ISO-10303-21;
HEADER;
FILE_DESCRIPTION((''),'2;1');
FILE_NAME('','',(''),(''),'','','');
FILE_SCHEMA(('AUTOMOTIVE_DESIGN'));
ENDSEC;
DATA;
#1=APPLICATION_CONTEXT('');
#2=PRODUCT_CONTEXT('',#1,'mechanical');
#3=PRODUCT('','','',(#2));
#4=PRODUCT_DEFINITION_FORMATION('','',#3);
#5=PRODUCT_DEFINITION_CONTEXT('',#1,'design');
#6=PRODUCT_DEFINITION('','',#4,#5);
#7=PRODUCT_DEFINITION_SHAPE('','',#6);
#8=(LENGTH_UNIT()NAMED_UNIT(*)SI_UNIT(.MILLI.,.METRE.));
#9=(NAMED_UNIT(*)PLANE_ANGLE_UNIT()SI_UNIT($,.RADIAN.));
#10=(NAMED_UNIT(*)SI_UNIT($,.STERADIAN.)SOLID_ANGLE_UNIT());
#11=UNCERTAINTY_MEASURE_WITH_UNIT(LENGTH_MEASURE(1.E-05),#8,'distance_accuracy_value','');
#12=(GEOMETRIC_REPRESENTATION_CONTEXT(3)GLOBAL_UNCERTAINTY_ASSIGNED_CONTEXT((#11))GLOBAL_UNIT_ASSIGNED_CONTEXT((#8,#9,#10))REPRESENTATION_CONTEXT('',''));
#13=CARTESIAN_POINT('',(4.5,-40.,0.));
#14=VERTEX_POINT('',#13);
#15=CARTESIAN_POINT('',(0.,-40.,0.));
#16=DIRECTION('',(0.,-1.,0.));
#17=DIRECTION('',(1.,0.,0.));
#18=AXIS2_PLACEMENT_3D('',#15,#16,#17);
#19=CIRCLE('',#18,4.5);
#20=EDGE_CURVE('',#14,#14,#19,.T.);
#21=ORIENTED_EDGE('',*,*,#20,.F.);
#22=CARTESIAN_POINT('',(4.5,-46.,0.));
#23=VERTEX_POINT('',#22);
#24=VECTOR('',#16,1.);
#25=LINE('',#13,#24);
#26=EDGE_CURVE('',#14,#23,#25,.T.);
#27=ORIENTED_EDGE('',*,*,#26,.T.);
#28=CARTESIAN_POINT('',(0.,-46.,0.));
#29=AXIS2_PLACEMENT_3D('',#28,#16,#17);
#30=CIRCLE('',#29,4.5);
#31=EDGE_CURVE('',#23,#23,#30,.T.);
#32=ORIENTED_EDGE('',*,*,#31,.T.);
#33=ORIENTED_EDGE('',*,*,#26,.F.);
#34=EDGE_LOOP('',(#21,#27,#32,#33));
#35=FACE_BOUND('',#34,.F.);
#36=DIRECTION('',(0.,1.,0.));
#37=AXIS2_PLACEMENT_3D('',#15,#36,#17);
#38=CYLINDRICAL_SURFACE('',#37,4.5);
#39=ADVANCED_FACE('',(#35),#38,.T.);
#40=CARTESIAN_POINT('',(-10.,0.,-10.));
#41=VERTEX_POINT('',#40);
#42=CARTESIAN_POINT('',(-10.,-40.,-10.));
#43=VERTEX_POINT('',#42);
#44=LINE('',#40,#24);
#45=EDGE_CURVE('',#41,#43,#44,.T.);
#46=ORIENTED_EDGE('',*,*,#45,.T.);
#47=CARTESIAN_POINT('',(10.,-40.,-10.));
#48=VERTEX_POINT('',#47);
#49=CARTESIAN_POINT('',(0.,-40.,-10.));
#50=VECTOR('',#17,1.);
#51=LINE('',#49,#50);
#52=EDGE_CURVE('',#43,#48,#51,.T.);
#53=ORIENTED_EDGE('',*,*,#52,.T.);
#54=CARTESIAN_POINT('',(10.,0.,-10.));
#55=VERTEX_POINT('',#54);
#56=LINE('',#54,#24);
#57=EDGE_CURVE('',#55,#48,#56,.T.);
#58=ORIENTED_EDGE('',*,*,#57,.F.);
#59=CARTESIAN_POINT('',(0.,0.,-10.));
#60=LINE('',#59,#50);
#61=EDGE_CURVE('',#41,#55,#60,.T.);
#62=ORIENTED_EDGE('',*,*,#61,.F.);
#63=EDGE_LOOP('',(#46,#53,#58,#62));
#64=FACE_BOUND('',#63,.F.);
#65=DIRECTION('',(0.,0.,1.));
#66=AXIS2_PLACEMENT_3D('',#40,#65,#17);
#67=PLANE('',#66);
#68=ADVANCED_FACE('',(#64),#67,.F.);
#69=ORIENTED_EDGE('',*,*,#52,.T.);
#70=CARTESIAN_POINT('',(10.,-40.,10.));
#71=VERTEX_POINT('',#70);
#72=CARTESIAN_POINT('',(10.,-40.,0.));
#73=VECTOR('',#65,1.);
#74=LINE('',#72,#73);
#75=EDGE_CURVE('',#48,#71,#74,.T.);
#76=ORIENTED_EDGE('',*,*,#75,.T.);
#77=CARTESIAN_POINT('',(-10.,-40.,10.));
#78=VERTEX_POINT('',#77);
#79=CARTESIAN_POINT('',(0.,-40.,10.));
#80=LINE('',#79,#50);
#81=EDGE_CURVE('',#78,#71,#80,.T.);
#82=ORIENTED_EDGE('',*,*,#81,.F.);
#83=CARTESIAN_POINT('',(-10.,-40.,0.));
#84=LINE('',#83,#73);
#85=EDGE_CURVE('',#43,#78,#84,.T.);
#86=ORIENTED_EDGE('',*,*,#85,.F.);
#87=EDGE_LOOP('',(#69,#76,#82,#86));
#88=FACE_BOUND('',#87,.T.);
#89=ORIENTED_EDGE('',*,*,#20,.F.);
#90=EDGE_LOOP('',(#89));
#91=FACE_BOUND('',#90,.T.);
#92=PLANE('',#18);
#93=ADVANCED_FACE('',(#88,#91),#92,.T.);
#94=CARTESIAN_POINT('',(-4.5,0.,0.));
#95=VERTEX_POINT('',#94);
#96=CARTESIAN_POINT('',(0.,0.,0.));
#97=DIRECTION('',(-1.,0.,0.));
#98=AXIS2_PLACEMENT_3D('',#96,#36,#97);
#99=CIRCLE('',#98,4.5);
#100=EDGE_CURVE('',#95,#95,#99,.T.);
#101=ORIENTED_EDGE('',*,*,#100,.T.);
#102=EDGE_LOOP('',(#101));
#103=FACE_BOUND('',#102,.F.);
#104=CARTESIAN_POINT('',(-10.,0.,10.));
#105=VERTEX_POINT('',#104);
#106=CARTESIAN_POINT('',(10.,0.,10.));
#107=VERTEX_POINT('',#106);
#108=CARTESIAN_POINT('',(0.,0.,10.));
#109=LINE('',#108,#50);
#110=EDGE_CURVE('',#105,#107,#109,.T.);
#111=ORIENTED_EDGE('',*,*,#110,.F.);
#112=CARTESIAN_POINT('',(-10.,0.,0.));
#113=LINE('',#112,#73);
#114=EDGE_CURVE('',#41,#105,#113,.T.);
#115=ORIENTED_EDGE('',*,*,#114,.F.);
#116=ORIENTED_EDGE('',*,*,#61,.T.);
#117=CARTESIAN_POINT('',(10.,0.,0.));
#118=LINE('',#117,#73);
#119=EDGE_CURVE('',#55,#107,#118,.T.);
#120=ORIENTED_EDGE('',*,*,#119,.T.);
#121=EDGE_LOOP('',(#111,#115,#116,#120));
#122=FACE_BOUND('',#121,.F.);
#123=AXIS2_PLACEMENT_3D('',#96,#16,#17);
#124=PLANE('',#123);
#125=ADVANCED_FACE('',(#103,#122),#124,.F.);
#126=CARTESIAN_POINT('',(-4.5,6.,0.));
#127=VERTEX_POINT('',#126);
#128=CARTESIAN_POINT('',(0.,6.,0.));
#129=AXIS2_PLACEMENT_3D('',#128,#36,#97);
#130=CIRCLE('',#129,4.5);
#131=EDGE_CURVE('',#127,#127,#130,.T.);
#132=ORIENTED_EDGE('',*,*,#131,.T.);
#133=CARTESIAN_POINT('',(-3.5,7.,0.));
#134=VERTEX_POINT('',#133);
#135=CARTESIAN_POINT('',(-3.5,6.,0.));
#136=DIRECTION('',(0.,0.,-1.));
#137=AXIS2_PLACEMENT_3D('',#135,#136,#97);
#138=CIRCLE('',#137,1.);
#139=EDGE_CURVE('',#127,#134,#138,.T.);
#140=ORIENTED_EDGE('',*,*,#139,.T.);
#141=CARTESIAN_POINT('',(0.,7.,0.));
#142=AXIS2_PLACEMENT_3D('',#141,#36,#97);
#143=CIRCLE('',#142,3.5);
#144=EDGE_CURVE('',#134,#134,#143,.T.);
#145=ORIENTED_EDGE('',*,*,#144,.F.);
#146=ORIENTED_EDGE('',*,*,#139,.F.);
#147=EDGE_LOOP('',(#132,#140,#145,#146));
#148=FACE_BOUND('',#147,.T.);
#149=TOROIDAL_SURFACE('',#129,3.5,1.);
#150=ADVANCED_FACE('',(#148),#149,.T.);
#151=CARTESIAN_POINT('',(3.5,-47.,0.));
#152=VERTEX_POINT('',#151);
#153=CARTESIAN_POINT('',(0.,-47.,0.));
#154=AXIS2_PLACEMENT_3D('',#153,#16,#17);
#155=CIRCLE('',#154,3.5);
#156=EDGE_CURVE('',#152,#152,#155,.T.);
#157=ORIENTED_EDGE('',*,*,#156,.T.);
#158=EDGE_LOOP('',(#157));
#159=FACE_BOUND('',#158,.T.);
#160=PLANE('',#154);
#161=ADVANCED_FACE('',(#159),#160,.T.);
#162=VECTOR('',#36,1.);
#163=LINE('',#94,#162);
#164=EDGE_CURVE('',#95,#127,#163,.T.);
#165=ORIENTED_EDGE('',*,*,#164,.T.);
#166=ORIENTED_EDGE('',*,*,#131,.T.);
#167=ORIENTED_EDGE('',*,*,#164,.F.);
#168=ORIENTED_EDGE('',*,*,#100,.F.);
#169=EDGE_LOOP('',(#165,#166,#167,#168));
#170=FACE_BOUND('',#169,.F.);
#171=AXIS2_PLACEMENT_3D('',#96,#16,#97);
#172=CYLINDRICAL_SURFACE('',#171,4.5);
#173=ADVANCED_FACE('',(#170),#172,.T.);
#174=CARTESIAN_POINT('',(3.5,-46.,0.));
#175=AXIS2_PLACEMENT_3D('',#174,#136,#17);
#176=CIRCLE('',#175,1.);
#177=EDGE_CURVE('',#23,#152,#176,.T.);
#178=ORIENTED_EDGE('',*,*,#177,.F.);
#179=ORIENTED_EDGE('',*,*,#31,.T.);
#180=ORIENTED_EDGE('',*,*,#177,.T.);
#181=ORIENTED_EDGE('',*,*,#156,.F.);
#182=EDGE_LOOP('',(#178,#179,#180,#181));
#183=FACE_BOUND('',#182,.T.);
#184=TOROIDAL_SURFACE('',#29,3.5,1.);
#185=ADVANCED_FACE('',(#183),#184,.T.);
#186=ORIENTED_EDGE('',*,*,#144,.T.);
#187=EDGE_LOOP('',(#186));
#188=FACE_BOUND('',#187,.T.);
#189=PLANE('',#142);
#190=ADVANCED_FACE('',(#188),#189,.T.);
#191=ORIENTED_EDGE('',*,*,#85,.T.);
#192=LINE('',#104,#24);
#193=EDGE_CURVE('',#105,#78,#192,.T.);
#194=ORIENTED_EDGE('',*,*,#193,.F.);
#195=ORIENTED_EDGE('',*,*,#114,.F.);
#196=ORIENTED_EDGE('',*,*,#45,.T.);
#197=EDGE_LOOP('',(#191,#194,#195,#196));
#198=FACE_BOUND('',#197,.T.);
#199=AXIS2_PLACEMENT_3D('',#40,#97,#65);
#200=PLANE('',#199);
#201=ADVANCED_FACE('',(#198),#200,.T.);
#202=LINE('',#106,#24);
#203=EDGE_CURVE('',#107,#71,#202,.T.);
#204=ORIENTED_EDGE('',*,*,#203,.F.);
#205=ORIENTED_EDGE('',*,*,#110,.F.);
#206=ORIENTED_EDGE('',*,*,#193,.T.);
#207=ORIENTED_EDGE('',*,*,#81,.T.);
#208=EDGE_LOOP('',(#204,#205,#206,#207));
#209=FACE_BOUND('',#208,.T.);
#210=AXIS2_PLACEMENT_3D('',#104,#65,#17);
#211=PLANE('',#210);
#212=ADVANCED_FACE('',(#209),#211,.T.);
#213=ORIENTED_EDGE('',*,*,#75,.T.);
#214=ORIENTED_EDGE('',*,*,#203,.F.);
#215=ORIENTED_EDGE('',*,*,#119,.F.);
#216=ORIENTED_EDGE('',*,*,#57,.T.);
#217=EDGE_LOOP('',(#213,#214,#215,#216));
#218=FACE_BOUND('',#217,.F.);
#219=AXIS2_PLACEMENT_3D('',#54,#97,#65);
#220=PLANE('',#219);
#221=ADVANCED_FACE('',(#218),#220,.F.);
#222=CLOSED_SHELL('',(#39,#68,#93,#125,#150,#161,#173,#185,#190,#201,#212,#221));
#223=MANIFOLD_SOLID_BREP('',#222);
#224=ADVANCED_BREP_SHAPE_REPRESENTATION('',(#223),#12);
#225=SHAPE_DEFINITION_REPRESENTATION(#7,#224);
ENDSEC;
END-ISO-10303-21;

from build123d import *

# Parameters (mm, degrees)
F0_W     = 20
F0_H     = 20
F1_DEPTH = 40
F2_R     = 4.5
F3_DEPTH = 7
F4_R     = 4.5
F5_DEPTH = 7
F6_R     = 1


with BuildPart() as f1:
    # F0 (on Front) → F1 (new body)
    with BuildSketch(Plane.XZ):
        Rectangle(F0_W, F0_H)
    extrude(amount=F1_DEPTH)

    # F2 (on face) → F3 (join)
    with BuildSketch(Plane(origin=(0, 0, 0), x_dir=(-1, 0, 0), z_dir=(0, 1, 0))):
        Circle(F2_R)
    extrude(amount=F3_DEPTH)

    # F4 (on face) → F5 (join)
    with BuildSketch(Plane.XZ.offset(40)):
        Circle(F4_R)
    extrude(amount=F5_DEPTH)

    # F6
    f6_edges = [f1.edges().sort_by_distance(p)[0] for p in [
        (-4.5, -47, 0),
        (4.5, 7, 0),
    ]]
    fillet(f6_edges, radius=F6_R)


solid = f1.part
